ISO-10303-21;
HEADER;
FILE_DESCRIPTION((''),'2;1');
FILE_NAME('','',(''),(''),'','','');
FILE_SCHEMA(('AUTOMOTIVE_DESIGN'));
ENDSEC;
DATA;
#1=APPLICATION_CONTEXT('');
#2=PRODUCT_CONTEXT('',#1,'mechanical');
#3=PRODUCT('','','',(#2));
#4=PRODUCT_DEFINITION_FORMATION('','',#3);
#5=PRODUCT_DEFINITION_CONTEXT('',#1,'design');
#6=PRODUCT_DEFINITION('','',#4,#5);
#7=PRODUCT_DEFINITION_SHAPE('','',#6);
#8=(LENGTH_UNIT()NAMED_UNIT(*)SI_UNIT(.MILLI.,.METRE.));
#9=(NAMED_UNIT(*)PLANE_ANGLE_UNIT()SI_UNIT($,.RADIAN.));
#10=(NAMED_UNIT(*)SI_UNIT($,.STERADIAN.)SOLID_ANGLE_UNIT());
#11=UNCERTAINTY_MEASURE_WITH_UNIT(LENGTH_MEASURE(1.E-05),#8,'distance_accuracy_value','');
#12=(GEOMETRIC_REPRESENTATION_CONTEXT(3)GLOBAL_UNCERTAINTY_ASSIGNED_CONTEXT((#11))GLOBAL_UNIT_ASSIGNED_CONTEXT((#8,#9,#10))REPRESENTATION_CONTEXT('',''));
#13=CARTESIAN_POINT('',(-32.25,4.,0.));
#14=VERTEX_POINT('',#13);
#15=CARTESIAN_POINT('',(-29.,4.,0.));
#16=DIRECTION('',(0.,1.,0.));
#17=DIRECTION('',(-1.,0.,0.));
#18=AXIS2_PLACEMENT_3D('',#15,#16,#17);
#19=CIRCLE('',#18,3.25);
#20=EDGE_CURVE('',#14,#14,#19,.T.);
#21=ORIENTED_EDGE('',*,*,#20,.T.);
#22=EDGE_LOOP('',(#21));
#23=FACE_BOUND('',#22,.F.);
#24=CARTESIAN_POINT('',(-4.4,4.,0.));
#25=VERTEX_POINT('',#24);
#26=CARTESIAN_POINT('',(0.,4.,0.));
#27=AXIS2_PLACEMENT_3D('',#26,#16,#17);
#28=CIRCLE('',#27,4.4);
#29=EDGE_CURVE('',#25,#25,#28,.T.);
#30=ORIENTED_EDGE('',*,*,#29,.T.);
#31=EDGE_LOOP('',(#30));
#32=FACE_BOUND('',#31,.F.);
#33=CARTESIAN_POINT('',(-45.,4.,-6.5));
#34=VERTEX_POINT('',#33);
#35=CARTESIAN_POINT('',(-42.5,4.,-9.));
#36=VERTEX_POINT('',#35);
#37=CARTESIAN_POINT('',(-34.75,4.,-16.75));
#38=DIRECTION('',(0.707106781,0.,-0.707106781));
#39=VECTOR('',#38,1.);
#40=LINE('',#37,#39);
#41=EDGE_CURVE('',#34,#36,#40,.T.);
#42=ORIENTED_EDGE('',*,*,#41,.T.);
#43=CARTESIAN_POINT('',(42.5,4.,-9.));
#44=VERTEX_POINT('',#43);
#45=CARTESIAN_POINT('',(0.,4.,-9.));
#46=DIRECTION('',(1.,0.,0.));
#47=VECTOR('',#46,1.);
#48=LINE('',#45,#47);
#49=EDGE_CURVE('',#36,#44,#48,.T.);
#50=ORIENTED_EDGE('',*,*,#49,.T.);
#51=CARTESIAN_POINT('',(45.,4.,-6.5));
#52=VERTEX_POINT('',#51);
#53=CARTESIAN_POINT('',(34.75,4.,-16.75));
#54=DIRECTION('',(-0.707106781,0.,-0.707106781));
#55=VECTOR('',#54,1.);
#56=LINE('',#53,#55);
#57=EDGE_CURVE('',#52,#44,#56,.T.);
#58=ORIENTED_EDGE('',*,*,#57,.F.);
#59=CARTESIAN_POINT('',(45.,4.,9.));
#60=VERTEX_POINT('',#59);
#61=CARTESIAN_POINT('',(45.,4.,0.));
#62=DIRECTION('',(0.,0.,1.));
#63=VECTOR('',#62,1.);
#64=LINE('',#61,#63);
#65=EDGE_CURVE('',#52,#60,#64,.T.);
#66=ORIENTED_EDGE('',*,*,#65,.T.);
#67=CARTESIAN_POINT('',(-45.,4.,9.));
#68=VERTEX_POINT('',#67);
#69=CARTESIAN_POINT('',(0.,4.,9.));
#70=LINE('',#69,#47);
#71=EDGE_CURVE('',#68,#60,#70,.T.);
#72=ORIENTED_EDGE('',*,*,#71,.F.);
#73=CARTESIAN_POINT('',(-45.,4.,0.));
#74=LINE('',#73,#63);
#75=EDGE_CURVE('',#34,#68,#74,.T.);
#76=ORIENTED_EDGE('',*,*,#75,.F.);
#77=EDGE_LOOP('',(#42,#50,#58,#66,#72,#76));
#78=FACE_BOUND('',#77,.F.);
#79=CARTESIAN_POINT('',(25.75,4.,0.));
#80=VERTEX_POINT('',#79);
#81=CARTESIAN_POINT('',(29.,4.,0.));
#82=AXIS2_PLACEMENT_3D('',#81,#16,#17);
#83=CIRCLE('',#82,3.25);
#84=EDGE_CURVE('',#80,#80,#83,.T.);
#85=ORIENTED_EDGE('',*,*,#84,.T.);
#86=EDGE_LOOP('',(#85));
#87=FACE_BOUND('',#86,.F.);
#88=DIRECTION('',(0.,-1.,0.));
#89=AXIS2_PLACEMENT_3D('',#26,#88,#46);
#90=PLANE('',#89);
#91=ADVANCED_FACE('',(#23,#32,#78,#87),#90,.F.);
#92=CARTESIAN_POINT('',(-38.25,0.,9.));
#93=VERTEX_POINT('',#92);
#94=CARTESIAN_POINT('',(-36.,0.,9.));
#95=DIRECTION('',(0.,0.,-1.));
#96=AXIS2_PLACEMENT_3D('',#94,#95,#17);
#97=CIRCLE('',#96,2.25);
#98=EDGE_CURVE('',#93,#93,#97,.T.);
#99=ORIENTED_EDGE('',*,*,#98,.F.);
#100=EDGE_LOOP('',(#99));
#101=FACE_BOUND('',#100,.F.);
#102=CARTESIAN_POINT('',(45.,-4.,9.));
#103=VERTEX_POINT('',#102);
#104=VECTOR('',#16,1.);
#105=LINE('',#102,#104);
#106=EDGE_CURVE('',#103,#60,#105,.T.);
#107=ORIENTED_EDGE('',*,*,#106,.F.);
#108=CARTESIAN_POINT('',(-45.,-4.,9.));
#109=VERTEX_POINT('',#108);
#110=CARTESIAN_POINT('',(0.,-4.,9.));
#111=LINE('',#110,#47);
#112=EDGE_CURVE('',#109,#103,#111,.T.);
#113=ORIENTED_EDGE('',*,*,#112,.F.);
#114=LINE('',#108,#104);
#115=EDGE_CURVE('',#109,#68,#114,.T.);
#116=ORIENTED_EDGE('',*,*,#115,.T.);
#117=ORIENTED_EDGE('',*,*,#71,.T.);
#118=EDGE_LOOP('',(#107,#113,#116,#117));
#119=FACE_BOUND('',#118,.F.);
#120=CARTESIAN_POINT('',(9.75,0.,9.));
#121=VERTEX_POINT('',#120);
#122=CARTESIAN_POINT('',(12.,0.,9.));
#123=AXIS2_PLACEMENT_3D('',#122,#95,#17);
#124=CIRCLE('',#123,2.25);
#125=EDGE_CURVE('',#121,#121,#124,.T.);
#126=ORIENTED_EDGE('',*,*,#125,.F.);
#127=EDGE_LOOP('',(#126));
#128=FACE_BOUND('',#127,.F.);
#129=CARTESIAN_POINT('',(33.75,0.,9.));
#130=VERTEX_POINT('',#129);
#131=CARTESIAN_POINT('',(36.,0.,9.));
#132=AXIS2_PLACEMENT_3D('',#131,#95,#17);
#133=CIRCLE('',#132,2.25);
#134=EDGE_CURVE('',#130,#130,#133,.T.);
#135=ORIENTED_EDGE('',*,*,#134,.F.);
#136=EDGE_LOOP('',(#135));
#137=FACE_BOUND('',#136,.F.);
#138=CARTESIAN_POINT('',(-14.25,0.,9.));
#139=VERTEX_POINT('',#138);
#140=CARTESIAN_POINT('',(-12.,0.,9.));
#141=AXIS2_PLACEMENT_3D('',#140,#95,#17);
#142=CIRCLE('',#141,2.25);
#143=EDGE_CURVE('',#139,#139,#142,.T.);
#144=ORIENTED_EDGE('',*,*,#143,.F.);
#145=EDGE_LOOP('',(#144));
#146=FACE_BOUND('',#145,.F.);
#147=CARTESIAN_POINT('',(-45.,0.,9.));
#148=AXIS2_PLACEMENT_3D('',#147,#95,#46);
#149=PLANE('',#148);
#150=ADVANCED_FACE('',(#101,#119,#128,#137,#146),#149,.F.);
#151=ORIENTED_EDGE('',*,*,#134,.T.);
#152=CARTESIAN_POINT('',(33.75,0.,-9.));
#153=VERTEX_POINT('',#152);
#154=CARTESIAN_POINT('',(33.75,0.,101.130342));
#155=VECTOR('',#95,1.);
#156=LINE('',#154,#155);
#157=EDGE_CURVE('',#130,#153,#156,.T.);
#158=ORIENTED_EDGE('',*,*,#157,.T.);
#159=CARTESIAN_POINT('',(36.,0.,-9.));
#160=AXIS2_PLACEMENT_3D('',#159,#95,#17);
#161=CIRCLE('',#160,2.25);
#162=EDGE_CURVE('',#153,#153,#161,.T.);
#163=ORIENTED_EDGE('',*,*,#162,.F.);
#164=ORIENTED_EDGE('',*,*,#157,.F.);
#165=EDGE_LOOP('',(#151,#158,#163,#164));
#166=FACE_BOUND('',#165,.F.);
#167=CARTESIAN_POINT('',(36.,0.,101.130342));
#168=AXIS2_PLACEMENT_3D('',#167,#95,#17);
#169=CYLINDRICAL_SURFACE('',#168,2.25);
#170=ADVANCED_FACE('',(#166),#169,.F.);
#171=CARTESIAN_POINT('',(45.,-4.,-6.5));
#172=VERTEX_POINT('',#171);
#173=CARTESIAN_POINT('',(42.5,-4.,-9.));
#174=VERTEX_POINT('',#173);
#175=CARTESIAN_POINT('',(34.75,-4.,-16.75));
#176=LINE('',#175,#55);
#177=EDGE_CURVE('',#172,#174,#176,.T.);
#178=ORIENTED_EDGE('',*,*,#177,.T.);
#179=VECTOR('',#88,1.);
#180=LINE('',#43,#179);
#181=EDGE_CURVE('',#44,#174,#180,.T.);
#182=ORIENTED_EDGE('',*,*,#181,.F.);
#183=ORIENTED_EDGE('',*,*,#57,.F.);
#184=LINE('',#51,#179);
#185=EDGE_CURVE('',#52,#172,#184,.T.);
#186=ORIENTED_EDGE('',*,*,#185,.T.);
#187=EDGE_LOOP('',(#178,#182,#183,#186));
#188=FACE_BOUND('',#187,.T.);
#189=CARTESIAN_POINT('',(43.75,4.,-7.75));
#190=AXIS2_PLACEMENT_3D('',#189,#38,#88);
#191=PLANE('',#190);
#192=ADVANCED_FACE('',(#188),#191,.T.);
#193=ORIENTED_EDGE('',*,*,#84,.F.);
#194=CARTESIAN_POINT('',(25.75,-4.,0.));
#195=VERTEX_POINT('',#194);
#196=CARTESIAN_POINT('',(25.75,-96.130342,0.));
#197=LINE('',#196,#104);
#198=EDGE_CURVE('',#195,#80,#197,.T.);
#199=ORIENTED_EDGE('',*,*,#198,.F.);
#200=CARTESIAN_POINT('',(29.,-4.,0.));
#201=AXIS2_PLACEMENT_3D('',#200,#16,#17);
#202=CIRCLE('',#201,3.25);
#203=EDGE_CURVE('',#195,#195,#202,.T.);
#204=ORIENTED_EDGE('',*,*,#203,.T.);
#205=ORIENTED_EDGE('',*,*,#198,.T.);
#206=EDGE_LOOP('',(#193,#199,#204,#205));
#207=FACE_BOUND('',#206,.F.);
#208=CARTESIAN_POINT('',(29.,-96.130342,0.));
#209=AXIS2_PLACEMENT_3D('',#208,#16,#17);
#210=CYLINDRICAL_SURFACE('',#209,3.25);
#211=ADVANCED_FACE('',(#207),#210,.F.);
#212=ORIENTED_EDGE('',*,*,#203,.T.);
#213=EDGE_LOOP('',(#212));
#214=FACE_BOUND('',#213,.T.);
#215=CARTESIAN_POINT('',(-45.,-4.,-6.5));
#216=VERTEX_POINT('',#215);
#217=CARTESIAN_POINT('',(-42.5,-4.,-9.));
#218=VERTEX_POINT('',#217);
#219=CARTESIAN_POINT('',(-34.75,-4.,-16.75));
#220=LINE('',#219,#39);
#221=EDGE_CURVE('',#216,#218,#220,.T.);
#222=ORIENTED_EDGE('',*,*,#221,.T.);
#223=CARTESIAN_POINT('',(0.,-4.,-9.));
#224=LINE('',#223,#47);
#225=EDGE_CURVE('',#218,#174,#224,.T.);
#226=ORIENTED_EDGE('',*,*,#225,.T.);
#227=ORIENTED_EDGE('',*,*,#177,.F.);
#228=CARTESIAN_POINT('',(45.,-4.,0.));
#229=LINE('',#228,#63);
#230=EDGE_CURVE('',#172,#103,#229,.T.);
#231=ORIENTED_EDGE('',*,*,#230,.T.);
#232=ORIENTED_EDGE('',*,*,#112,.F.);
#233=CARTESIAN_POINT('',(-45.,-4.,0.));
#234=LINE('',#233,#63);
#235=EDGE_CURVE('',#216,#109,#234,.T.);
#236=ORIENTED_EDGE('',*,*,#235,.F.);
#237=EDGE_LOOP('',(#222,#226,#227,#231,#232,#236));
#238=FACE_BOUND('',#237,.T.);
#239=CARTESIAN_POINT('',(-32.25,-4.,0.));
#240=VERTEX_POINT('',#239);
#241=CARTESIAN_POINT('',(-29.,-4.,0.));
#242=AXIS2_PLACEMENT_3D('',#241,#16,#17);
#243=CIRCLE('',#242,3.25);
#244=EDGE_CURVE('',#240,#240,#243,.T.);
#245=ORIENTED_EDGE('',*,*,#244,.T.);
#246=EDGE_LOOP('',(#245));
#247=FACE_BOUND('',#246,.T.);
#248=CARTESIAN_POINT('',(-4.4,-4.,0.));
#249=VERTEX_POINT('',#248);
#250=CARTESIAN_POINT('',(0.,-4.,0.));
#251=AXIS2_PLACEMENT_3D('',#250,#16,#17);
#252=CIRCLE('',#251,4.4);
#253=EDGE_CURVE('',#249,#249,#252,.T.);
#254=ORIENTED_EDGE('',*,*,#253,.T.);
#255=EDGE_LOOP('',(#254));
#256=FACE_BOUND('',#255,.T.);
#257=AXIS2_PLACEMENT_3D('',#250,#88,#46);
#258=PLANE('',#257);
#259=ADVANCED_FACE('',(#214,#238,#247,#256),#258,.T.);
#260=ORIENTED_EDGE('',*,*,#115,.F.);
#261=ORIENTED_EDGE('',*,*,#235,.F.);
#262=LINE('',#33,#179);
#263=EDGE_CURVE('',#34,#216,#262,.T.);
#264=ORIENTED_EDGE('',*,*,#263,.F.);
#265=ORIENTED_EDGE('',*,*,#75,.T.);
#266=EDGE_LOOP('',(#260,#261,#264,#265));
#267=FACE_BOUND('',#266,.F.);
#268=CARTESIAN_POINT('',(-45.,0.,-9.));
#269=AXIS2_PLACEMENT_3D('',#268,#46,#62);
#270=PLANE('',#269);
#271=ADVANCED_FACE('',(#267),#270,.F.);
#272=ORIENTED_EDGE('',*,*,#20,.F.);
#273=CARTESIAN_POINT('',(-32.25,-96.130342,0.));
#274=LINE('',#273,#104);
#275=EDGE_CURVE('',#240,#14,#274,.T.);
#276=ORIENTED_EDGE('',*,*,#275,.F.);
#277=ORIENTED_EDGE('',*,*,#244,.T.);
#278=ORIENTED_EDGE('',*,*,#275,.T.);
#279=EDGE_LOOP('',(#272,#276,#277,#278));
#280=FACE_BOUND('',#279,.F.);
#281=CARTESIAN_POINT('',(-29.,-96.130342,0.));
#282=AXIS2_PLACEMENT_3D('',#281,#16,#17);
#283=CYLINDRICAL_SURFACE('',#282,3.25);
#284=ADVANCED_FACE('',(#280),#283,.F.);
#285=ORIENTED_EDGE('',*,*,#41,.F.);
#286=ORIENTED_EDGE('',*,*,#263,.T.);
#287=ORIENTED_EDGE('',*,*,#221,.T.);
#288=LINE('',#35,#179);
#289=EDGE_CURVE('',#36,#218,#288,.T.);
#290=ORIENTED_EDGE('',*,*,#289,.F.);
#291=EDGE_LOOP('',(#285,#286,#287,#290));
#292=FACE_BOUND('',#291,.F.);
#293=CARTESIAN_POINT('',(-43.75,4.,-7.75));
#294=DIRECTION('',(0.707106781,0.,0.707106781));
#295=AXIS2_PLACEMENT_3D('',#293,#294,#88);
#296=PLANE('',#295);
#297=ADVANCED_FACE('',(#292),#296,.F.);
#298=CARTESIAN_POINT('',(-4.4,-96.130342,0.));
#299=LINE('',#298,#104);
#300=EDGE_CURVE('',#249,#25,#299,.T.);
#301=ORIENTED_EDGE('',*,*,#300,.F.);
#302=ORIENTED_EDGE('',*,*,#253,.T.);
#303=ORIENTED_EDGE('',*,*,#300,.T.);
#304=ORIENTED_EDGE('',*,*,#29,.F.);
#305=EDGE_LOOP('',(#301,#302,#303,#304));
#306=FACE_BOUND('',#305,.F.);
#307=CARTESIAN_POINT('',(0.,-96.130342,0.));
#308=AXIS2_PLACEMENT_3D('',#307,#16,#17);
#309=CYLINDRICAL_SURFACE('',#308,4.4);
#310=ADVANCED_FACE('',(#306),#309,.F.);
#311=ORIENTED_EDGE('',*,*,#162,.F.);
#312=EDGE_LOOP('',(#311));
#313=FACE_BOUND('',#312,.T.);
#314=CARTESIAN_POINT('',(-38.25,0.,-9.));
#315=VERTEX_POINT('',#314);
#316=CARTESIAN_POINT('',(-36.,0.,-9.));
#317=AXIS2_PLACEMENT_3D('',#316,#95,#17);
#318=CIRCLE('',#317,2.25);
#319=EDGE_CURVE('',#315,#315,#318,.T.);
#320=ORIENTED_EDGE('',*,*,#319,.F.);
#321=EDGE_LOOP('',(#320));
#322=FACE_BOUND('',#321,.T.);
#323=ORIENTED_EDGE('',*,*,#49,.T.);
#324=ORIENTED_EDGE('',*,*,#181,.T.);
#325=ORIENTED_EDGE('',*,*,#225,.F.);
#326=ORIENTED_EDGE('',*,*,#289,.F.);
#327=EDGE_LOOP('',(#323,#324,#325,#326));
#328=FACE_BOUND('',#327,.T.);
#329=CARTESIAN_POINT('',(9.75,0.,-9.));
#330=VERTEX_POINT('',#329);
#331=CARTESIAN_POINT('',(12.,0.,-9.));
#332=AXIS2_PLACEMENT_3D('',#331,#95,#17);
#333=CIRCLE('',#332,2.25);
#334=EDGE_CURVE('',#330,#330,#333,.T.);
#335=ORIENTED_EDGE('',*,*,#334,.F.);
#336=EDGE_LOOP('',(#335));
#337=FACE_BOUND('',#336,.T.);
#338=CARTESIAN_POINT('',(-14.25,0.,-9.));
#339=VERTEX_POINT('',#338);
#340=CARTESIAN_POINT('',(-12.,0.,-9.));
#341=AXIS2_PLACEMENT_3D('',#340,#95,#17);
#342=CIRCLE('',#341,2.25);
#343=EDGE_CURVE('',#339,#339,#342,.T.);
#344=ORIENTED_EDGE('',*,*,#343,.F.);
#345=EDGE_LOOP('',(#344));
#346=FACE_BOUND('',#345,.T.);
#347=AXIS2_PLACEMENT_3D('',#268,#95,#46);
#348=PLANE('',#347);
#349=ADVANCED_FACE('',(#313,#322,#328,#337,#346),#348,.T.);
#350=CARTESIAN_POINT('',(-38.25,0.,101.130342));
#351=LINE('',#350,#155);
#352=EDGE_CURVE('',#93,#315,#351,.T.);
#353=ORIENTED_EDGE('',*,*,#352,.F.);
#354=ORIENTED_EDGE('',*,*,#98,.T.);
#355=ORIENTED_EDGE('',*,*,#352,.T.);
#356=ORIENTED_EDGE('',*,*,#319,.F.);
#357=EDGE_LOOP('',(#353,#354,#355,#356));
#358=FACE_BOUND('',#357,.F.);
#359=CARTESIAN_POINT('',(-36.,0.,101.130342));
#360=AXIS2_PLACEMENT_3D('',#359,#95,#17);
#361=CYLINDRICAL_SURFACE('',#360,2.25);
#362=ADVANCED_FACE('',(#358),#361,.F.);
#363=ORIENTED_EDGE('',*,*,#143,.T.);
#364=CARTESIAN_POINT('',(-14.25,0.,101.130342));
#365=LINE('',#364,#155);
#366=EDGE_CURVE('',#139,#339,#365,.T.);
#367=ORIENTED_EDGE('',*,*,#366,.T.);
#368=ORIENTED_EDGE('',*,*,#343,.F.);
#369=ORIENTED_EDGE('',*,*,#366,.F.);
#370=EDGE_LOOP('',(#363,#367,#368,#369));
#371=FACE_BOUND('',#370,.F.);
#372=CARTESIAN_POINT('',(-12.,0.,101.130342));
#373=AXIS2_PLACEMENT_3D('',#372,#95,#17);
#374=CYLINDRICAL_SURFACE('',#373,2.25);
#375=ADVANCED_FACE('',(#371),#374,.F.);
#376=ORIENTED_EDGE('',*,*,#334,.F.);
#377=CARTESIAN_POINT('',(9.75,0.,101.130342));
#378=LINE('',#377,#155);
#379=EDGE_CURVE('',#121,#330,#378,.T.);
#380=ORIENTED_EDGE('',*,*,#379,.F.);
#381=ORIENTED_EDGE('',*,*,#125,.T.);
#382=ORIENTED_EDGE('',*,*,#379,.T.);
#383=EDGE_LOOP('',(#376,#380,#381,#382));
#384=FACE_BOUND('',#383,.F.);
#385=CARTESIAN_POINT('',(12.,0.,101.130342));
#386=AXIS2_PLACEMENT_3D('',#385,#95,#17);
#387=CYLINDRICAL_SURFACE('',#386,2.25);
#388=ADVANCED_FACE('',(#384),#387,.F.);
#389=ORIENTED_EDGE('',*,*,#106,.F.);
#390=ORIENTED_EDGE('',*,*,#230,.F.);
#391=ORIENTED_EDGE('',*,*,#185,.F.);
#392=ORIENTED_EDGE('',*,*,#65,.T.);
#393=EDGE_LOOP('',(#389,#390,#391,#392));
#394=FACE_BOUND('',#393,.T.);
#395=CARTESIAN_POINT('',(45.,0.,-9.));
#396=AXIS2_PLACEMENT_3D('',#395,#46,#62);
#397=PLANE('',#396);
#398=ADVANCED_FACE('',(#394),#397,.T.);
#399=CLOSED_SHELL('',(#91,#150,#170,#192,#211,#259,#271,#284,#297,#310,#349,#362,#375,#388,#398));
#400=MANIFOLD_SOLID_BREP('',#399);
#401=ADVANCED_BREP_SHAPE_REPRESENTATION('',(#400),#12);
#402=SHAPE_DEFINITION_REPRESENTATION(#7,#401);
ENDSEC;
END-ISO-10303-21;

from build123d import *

# Parameters (mm, degrees)
F0_W          = 90
F0_H          = 18
F1_DEPTH      = 4
F1_DEPTH_BACK = 4
F2_SIZE       = 2.5
F4_D          = 6.5
F5_D          = 8.8
F7_D          = 4.5


with BuildPart() as f1:
    # F0 (on Front) → F1 (new body, two sides)
    with BuildSketch(Plane.XZ) as f1_sk:
        Rectangle(F0_W, F0_H)
    extrude(amount=F1_DEPTH)
    extrude(f1_sk.sketch, amount=-F1_DEPTH_BACK)

    # F2
    f2_edges = [f1.edges().sort_by_distance(p)[0] for p in [
        (-45, 0, -9),
        (45, 0, -9),
    ]]
    chamfer(f2_edges, length=F2_SIZE)

    # F4 (through all)
    with Locations(Plane.XZ.offset(4)):
        with Locations((-29, 0), (29, 0)):
            Hole(F4_D / 2)

    # F5 (through all)
    with Locations(Plane.XZ.offset(4)):
        with Locations((0, 0)):
            Hole(F5_D / 2)

    # F7 (through all)
    with Locations(Plane.XY.offset(9)):
        with Locations((-36, 0), (-12, 0), (12, 0), (36, 0)):
            Hole(F7_D / 2)


solid = f1.part
